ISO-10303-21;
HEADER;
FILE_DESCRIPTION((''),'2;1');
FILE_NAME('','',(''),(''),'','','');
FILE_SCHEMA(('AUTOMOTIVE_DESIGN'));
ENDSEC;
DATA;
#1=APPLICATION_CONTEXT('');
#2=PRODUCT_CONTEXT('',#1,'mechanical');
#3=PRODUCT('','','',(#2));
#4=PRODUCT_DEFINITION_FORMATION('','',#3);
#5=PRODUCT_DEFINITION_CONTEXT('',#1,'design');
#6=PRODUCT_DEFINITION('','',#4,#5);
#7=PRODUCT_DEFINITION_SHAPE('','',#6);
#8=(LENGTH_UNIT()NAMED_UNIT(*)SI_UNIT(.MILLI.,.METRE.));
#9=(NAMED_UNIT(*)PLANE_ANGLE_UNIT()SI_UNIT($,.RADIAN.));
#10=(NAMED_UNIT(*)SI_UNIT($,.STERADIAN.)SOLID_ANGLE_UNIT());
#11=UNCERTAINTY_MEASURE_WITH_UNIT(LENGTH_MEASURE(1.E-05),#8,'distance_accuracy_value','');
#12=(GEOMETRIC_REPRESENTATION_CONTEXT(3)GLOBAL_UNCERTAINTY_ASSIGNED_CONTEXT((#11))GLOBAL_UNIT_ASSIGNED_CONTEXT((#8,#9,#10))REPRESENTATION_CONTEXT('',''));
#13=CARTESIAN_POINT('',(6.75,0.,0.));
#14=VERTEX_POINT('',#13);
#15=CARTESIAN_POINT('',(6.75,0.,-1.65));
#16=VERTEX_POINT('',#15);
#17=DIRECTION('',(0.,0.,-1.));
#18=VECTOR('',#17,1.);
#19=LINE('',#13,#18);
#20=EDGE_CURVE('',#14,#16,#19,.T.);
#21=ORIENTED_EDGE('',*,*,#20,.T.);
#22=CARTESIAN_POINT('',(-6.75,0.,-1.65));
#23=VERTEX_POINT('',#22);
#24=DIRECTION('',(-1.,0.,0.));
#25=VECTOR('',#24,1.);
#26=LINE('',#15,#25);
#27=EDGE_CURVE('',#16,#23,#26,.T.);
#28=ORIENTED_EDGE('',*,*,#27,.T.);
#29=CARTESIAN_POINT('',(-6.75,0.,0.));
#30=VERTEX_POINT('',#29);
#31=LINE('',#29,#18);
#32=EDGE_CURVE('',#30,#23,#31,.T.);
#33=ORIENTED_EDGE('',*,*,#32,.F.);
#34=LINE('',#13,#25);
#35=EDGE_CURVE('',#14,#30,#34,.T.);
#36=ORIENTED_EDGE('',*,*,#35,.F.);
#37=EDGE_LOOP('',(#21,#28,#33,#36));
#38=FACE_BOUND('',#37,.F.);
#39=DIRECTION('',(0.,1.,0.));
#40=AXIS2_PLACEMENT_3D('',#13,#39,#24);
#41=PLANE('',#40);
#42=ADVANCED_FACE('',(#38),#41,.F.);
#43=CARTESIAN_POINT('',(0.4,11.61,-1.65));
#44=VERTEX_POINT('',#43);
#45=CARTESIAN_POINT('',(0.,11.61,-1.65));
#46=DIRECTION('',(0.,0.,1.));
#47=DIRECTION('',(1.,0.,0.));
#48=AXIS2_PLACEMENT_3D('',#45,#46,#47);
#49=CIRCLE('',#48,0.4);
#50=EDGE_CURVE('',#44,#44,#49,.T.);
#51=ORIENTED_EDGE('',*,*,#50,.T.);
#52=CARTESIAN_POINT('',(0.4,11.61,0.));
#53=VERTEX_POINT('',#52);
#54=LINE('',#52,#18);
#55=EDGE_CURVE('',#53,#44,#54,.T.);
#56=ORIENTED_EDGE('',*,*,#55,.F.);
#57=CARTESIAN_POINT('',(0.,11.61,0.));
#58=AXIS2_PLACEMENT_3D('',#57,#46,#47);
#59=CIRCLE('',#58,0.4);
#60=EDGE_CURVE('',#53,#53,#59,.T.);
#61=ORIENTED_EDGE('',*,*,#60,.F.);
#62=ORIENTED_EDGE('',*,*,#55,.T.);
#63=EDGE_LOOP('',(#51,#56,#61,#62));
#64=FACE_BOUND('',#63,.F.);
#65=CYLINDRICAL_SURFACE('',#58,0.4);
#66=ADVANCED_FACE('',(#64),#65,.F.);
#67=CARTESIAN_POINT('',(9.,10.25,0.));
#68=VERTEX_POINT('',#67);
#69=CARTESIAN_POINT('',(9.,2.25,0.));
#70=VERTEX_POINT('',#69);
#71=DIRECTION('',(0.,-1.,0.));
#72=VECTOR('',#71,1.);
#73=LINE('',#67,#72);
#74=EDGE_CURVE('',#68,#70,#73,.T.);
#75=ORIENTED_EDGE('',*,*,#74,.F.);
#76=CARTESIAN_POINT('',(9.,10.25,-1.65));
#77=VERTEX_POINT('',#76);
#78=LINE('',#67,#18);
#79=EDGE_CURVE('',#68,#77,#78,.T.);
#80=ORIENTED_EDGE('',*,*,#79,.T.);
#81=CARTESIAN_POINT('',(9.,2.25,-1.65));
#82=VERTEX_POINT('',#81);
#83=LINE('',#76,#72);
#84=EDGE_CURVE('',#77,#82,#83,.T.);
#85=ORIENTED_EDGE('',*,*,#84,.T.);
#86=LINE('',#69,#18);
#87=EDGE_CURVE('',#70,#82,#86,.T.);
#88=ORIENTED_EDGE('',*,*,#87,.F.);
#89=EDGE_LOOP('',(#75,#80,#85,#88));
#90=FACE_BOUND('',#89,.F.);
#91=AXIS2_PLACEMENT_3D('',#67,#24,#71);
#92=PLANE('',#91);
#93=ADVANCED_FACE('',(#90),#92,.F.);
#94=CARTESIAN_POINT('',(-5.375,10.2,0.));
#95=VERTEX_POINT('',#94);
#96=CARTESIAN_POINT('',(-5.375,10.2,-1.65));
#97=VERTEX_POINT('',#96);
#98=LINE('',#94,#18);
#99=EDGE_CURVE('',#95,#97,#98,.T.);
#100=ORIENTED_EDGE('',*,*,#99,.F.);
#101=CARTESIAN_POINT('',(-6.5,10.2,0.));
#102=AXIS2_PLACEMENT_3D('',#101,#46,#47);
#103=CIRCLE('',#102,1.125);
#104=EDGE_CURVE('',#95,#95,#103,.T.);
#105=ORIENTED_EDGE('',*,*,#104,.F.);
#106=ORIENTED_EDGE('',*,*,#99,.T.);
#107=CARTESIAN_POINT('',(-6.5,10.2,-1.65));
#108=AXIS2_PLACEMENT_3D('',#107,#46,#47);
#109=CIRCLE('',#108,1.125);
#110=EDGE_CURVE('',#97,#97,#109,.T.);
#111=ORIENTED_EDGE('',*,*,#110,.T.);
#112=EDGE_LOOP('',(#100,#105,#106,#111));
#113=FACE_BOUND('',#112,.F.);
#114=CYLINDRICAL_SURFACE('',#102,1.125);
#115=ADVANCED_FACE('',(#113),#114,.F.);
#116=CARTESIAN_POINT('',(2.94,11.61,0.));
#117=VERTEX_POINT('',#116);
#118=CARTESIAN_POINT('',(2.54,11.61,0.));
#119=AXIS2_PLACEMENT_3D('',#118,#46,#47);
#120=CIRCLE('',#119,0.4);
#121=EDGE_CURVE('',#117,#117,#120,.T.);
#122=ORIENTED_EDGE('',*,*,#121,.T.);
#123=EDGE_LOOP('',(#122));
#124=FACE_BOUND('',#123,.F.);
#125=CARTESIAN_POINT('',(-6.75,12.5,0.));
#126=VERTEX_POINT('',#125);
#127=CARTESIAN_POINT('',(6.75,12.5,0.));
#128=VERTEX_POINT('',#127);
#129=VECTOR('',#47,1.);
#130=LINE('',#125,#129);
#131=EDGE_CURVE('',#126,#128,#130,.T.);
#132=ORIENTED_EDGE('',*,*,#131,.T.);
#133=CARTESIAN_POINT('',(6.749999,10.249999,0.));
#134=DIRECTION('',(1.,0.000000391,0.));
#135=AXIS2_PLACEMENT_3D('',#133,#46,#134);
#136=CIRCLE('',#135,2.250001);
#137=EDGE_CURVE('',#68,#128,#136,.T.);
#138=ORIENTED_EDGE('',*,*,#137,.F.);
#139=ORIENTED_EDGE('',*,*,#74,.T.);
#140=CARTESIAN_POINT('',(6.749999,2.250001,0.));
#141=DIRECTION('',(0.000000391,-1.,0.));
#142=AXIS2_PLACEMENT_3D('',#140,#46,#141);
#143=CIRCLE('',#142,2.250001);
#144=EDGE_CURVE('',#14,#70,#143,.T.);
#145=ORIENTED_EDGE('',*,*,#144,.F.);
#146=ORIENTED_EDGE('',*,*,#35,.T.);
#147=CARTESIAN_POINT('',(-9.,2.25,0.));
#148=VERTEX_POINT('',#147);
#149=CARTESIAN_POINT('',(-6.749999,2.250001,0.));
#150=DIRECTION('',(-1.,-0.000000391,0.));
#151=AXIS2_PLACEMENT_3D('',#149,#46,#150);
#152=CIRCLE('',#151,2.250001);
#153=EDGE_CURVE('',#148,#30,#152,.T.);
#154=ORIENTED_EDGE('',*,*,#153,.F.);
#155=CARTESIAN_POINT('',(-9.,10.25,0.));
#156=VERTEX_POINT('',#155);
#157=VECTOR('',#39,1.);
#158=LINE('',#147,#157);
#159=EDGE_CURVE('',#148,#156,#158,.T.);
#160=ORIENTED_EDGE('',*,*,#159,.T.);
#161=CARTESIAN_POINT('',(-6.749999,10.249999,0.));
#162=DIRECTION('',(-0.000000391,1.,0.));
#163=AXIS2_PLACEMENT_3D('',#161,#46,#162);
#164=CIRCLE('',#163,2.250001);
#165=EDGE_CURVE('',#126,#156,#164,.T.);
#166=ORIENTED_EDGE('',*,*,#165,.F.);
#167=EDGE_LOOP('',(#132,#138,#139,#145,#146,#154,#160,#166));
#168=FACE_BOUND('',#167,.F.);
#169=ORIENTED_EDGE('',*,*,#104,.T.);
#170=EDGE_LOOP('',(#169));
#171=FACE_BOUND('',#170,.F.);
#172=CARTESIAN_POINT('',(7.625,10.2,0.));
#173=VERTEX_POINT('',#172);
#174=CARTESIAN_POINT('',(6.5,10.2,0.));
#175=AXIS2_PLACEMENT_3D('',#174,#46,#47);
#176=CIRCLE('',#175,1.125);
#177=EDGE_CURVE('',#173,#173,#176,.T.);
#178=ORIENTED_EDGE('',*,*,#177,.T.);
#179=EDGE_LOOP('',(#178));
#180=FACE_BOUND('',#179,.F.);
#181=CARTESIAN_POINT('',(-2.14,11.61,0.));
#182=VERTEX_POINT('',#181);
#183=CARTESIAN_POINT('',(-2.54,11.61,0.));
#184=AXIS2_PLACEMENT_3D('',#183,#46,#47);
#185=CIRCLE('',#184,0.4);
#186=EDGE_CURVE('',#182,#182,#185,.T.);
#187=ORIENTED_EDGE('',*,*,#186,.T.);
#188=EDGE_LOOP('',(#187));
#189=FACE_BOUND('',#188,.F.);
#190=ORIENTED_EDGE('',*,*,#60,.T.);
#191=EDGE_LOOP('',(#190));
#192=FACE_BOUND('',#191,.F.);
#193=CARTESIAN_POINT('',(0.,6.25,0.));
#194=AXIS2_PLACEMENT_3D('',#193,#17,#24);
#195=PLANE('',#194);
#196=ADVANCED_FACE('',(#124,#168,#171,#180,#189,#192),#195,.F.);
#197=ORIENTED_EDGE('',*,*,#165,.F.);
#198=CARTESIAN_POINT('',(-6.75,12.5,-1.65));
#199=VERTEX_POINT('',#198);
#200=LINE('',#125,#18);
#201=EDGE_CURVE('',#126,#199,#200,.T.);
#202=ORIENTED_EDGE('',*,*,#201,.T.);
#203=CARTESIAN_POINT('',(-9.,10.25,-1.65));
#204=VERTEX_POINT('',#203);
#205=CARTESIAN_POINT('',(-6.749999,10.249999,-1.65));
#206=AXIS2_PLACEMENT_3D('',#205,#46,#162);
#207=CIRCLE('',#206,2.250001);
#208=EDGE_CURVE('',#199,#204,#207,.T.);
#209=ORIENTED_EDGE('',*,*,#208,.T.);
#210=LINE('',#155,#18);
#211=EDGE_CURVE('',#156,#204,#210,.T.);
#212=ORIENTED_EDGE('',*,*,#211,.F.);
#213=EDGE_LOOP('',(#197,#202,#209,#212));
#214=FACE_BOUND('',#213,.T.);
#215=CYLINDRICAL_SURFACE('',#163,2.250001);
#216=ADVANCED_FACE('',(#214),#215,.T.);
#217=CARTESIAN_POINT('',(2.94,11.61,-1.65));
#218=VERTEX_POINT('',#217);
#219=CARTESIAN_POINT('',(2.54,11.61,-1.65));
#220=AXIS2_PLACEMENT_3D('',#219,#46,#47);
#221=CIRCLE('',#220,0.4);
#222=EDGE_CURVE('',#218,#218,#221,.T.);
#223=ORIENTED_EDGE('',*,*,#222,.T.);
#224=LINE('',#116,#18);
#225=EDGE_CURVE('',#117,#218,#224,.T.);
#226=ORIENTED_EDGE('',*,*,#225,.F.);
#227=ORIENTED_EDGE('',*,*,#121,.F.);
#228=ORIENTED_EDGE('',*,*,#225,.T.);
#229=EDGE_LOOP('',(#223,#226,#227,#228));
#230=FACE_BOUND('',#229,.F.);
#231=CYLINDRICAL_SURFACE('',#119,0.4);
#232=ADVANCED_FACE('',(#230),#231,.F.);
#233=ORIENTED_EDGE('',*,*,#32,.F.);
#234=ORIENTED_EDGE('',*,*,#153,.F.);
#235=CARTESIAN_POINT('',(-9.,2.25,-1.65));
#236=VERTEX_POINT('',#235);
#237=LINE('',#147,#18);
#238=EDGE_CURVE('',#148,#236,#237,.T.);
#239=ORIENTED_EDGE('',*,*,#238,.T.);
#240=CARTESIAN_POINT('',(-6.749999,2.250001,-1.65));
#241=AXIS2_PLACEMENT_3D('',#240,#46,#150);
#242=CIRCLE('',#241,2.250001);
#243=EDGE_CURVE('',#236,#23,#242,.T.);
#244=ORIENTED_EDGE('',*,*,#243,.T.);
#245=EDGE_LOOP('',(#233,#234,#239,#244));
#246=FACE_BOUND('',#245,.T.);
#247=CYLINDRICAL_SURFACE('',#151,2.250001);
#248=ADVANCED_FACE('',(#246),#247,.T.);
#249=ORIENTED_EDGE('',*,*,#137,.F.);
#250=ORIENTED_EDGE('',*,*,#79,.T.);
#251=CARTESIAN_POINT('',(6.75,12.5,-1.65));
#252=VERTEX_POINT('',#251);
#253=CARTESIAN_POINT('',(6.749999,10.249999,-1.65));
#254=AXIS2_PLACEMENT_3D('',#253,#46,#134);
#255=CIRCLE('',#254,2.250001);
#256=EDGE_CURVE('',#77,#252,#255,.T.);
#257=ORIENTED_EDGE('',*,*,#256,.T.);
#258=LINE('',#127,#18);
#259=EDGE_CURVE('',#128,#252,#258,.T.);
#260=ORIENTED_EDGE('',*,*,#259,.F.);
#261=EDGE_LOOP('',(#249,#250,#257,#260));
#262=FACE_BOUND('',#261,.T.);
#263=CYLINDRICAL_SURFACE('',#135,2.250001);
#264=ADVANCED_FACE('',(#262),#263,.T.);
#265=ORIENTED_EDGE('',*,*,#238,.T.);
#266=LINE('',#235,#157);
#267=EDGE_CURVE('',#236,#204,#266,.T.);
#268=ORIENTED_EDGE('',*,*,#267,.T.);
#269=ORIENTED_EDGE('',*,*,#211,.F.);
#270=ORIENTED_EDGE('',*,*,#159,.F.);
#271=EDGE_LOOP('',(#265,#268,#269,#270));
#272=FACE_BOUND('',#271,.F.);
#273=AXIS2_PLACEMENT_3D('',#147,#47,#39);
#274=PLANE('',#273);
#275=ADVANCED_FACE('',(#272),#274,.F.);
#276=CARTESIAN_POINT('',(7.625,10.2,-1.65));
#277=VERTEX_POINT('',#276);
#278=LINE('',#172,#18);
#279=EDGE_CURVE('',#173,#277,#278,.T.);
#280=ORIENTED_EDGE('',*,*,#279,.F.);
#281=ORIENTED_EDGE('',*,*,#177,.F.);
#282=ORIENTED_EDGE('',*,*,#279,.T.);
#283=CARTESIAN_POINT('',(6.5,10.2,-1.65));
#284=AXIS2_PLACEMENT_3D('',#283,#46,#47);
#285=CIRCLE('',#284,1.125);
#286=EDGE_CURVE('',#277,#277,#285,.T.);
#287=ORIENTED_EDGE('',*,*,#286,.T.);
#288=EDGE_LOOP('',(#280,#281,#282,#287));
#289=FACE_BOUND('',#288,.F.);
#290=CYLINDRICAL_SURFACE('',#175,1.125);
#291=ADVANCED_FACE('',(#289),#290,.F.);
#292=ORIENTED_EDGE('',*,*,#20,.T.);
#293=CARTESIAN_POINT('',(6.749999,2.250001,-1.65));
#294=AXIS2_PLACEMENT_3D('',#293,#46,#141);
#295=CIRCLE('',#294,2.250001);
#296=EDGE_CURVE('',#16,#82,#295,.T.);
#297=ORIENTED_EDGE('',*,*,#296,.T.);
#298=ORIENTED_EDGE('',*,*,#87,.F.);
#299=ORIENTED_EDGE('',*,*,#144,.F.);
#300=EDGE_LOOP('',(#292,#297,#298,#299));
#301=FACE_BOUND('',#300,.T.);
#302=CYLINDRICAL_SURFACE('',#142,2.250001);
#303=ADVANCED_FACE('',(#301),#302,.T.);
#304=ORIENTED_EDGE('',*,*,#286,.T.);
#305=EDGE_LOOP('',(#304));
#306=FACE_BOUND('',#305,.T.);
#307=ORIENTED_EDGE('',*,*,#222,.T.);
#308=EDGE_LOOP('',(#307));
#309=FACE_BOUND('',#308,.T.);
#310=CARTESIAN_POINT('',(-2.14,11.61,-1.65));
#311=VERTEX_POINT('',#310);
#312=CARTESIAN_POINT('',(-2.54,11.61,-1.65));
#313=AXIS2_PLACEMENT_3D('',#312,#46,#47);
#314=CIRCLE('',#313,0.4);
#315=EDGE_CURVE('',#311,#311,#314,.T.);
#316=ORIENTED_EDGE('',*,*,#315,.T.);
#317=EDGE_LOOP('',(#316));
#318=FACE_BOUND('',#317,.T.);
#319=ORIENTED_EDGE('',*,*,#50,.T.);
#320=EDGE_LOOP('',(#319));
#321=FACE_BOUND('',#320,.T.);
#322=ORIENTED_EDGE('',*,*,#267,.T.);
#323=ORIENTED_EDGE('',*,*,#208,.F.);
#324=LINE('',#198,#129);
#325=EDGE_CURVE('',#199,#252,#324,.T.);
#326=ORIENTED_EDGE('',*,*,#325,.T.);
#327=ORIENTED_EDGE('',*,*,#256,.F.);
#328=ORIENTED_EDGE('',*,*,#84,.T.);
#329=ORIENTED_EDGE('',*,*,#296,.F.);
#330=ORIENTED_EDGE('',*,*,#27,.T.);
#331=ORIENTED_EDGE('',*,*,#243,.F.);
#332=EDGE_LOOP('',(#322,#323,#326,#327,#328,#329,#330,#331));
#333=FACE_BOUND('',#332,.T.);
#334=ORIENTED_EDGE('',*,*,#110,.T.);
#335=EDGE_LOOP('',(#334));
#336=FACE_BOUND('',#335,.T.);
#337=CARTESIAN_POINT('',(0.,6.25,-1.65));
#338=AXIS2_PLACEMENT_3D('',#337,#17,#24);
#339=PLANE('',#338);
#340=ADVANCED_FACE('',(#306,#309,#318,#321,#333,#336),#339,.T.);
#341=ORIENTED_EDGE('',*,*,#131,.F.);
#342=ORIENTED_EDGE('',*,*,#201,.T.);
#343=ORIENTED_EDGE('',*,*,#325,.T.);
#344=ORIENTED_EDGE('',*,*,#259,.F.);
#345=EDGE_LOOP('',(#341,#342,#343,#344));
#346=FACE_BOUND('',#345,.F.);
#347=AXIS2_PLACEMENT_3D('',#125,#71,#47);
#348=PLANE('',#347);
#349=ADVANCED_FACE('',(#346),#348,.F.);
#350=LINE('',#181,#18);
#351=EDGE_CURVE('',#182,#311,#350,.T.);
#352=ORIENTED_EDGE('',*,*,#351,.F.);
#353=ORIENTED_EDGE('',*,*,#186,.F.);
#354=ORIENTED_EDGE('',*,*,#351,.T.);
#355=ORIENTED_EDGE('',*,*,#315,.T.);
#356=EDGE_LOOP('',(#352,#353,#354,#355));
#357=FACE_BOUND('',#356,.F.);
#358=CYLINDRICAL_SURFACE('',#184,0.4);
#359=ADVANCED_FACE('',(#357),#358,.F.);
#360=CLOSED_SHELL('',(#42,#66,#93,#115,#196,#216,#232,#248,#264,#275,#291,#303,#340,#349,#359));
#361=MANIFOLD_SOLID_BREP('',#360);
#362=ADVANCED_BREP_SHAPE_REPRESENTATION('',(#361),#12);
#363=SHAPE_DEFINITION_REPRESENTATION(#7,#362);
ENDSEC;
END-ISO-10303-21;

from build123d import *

# Parameters (mm, degrees)
PAD012_DEPTH    = 1.65
SKETCH037_R     = 1.125
POCKET011_DEPTH = 1.651
SKETCH038_R     = 0.4
POCKET001_DEPTH = 1.651


with BuildPart() as part:
    # Sketch036 → Pad012 (new body)
    with BuildSketch(Plane.XY):
        with BuildLine():
            Line((-6.75, 12.5), (6.75, 12.5))
            ThreePointArc((9, 10.25), (8.34099, 11.84099), (6.75, 12.5))
            Line((9, 10.25), (9, 2.25))
            ThreePointArc((6.75, 0), (8.34099, 0.65901), (9, 2.25))
            Line((6.75, 0), (-6.75, 0))
            ThreePointArc((-9, 2.25), (-8.34099, 0.65901), (-6.75, 0))
            Line((-9, 2.25), (-9, 10.25))
            ThreePointArc((-6.75, 12.5), (-8.34099, 11.84099), (-9, 10.25))
        make_face()
    extrude(amount=-PAD012_DEPTH)

    # Sketch037 → Pocket011 (cut, through all)
    with BuildSketch(Plane.XY):
        with Locations((-6.5, 10.2)):
            Circle(SKETCH037_R)
        with Locations((6.5, 10.2)):
            Circle(SKETCH037_R)
    extrude(amount=-POCKET011_DEPTH, mode=Mode.SUBTRACT)

    # Sketch038 → Pocket001 (cut, through all)
    with BuildSketch(Plane.XY):
        with Locations((0, 11.61)):
            Circle(SKETCH038_R)
        with Locations((2.54, 11.61)):
            Circle(SKETCH038_R)
        with Locations((-2.54, 11.61)):
            Circle(SKETCH038_R)
    extrude(amount=-POCKET001_DEPTH, mode=Mode.SUBTRACT)


solid = part.part
